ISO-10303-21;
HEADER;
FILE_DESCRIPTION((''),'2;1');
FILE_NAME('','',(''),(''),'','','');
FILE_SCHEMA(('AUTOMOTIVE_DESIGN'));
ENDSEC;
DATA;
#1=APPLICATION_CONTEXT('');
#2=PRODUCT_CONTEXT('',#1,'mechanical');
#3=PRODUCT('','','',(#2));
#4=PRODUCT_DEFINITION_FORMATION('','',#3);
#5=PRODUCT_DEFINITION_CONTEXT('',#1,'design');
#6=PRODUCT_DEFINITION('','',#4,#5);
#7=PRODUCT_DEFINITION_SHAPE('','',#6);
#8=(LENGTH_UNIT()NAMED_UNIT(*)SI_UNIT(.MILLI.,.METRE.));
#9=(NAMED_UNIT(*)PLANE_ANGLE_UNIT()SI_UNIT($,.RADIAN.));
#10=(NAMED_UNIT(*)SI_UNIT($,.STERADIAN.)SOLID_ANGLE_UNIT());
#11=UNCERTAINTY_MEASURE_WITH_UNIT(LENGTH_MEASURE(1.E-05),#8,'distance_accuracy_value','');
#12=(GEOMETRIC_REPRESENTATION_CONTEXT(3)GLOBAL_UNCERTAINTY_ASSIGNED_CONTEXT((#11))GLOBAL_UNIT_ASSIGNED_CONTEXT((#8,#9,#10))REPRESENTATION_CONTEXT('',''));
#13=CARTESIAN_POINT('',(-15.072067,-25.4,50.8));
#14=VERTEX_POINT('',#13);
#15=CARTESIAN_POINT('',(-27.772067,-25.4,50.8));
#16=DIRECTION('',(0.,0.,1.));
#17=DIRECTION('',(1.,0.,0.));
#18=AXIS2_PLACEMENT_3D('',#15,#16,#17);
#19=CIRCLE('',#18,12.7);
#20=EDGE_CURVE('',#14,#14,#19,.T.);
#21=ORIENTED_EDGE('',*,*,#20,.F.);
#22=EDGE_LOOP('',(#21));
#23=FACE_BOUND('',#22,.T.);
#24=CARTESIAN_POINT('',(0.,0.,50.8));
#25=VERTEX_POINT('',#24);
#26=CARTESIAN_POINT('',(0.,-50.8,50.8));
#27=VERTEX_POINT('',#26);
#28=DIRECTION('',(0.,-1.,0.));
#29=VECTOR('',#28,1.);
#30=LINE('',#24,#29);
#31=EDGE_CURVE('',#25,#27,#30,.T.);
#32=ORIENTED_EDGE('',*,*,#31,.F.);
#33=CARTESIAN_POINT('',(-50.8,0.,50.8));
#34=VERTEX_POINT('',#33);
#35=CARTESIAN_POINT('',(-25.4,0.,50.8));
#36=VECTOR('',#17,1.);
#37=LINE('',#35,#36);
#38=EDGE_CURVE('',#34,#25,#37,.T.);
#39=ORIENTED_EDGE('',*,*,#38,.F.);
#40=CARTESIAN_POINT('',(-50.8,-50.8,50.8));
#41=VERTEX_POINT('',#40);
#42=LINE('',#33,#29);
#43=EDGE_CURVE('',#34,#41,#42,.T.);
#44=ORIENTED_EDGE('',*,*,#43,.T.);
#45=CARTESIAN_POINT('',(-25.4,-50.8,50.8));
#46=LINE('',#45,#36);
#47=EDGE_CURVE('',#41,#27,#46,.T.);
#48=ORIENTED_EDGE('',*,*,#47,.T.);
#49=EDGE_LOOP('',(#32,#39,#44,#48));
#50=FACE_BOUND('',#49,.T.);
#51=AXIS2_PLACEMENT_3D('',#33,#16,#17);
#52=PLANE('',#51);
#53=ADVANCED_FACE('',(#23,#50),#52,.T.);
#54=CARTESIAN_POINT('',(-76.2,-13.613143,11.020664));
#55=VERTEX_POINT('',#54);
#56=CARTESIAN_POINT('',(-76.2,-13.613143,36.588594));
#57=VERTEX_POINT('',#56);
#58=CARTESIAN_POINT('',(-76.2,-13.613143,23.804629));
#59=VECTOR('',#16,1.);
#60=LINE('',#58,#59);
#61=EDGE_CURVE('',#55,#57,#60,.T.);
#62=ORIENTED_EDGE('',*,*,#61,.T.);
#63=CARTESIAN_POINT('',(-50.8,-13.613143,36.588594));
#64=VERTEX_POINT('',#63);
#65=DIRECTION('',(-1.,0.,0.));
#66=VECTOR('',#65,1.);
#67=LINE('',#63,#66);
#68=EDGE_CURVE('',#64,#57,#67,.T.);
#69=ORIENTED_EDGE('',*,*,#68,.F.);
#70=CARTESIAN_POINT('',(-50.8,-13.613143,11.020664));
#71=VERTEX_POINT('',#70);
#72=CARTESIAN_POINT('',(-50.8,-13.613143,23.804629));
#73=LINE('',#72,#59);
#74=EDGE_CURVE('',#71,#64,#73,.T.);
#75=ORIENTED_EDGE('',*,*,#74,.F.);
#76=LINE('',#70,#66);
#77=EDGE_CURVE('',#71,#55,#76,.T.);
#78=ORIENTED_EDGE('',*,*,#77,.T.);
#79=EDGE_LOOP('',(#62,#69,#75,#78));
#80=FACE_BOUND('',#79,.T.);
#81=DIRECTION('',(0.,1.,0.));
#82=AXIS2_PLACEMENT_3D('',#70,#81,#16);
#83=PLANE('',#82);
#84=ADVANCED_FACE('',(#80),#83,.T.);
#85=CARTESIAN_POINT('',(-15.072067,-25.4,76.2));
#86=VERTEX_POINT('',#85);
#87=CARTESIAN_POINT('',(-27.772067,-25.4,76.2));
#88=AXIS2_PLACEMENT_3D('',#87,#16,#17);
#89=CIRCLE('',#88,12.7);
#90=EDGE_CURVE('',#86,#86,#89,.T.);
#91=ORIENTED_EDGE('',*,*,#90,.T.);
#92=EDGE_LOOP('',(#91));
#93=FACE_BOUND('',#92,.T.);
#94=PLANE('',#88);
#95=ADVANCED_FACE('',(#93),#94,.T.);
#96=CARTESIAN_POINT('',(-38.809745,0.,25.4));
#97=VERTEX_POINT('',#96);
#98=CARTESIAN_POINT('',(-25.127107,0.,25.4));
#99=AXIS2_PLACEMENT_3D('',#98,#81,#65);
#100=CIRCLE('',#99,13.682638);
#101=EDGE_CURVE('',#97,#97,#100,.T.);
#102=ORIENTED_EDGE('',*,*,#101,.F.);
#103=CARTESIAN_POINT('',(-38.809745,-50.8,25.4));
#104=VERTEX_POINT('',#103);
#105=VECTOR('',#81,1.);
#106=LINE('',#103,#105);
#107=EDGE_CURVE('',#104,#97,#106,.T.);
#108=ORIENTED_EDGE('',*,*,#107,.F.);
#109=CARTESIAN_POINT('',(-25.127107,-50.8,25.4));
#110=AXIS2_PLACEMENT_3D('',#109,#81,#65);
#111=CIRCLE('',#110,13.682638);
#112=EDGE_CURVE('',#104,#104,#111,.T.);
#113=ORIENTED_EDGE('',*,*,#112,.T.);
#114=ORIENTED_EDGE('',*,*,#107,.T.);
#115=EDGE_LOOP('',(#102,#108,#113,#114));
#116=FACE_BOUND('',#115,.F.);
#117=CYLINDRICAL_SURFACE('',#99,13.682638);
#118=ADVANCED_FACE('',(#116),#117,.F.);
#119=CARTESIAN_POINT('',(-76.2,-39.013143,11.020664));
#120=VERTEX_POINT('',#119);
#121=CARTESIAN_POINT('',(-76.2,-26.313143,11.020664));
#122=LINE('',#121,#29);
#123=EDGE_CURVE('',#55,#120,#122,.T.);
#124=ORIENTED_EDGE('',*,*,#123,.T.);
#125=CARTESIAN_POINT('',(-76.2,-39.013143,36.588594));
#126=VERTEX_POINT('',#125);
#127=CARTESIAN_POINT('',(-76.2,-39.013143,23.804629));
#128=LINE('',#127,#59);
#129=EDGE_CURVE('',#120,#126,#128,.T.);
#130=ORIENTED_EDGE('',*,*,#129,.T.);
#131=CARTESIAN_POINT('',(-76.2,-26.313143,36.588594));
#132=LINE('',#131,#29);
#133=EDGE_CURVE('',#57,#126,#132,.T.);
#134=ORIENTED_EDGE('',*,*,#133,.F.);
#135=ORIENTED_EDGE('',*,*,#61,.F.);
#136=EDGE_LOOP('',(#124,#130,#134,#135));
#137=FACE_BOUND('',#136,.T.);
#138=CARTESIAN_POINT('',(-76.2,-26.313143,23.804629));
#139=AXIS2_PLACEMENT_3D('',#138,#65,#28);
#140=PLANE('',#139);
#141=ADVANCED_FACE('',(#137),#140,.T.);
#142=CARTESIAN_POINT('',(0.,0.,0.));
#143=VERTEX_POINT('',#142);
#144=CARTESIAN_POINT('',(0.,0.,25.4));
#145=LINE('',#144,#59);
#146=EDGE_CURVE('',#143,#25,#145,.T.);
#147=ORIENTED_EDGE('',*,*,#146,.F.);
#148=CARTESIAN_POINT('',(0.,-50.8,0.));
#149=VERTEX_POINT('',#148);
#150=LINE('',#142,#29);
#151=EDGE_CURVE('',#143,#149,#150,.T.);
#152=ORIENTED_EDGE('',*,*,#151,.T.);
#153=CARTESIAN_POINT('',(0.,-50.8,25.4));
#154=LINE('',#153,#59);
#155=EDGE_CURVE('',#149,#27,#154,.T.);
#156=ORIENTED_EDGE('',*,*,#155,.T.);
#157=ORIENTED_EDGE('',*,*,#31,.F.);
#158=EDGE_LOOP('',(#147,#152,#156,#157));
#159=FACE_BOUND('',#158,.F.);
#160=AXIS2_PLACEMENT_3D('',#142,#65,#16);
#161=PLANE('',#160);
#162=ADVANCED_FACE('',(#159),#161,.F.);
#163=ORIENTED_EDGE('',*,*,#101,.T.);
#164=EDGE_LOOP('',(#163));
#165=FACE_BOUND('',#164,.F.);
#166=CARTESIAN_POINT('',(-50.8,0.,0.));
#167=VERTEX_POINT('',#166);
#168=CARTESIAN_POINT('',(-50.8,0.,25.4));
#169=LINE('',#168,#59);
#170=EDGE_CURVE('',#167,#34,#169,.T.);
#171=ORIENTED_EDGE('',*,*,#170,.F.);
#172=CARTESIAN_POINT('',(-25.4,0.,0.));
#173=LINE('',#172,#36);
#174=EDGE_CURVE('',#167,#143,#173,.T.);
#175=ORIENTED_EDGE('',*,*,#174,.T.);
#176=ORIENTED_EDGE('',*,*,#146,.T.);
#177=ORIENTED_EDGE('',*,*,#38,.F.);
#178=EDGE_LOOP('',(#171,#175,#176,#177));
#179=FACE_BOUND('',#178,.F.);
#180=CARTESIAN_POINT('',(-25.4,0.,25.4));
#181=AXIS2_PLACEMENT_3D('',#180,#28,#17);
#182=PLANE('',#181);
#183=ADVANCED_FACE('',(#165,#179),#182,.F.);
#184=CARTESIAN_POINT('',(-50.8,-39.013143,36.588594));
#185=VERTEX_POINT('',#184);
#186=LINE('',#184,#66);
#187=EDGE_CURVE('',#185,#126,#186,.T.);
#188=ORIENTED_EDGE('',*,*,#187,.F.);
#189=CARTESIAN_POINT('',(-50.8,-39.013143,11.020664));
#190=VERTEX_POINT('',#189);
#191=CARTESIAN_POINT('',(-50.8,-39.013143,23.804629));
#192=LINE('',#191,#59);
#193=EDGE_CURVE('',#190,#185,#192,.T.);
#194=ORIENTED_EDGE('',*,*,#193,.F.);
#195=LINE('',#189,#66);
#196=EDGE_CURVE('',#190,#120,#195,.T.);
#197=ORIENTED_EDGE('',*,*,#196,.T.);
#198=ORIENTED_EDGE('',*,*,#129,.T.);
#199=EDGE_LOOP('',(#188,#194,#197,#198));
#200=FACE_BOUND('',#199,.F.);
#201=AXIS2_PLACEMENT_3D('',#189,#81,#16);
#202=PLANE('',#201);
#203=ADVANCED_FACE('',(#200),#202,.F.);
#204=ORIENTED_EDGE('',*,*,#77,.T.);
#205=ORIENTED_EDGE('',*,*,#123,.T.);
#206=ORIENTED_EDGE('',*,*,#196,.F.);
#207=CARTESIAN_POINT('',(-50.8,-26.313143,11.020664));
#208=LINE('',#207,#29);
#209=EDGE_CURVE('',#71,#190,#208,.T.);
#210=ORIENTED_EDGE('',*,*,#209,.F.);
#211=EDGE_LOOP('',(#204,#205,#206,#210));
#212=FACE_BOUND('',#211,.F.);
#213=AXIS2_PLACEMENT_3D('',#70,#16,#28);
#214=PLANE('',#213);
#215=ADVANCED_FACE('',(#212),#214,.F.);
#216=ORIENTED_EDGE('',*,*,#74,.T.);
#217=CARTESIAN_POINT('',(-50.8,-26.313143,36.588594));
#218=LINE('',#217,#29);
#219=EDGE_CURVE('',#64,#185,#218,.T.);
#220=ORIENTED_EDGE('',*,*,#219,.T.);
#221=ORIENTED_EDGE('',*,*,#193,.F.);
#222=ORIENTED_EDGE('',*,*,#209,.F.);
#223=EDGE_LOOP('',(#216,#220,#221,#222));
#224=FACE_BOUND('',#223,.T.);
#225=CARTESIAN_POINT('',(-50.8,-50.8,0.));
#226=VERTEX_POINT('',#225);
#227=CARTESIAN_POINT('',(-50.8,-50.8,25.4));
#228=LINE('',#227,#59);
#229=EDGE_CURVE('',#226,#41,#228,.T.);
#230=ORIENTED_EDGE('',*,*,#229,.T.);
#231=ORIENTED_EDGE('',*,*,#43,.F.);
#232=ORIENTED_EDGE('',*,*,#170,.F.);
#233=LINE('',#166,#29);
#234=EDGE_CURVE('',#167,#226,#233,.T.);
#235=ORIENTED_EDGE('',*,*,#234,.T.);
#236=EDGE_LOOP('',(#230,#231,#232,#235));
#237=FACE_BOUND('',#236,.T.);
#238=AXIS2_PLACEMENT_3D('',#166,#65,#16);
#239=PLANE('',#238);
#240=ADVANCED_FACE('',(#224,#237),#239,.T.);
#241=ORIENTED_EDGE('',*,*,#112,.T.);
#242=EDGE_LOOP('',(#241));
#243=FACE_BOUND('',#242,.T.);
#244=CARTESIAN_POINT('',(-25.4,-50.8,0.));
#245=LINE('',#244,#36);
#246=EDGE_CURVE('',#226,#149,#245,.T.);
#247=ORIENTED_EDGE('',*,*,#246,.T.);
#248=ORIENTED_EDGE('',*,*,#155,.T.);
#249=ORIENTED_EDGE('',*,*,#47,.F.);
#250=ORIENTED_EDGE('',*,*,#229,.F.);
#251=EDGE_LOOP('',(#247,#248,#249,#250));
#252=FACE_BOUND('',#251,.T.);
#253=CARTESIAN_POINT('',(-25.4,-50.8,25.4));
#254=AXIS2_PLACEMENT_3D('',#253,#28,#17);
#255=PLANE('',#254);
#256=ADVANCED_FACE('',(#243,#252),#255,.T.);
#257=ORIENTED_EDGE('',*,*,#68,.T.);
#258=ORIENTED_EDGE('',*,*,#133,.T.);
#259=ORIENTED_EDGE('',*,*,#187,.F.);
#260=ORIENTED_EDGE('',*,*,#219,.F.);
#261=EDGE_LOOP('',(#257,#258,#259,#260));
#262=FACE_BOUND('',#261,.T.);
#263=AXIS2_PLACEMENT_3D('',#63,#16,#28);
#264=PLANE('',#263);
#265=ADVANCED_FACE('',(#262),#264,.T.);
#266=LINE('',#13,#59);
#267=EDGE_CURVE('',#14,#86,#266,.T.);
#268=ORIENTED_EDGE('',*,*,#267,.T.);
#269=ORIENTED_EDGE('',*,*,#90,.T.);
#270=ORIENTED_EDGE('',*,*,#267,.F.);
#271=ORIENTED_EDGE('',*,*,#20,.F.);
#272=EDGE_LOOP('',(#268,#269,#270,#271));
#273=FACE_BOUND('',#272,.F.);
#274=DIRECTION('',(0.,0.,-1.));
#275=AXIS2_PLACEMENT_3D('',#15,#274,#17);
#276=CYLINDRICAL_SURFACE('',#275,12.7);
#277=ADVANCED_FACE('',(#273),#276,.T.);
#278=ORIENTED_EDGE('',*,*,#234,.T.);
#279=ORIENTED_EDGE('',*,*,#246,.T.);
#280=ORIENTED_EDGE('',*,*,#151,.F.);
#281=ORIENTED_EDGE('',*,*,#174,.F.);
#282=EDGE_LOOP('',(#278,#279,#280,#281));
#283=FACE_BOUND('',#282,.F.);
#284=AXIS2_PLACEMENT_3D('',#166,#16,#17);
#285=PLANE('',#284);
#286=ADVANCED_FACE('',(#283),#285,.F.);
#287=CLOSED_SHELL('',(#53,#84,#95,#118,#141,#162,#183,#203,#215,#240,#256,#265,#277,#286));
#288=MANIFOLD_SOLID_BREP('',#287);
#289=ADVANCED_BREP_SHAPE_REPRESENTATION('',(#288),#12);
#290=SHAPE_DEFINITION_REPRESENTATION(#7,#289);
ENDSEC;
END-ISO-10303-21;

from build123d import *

# Parameters (mm, degrees)
F0_W      = 50.8
F0_H      = 50.8
F0_R      = 12.7
F1_DEPTH  = 50.8
F2_R      = 13.682638
F3_DEPTH  = 25.4
F3_FACE_R = 13.682638
F4_DEPTH  = 25.4
F5_W      = 25.4
F5_H      = 25.56793
F6_DEPTH  = 25.4
F7_R      = 12.7
F8_DEPTH  = 25.4


with BuildPart() as f1:
    # F0 (on Front) → F1 (new body)
    with BuildSketch(Plane.XZ):
        with Locations((-25.4, 25.4)):
            Rectangle(F0_W, F0_H)
        with Locations((-26.229173, 23.804629)):
            Circle(F0_R, mode=Mode.SUBTRACT)
        with Locations((-26.229173, 23.804629)):
            Circle(F0_R)
    extrude(amount=F1_DEPTH)

    # F2 (on face) → F3 (cut)
    with BuildSketch(Plane(origin=(0, 0, 0), x_dir=(-1, 0, 0), z_dir=(0, 1, 0))):
        with Locations((25.127107, 25.4)):
            Circle(F2_R)
    extrude(amount=-F3_DEPTH, mode=Mode.SUBTRACT)

    # F3_face (on face) → F4 (cut)
    with BuildSketch(Plane(origin=(-25.127107, -25.4, 25.4), x_dir=(-1, 0, 0), z_dir=(0, 1, 0))):
        Circle(F3_FACE_R)
    extrude(amount=-F4_DEPTH, mode=Mode.SUBTRACT)

    # F5 (on face) → F6 (join)
    with BuildSketch(Plane(origin=(-50.8, 0, 0), x_dir=(0, -1, 0), z_dir=(-1, 0, 0))):
        with Locations((26.313143, 23.804629)):
            Rectangle(F5_W, F5_H)
    extrude(amount=F6_DEPTH)

    # F7 (on face) → F8 (join)
    with BuildSketch(Plane.XY.offset(50.8)):
        with Locations((-27.772067, -25.4)):
            Circle(F7_R)
    extrude(amount=F8_DEPTH)


solid = f1.part
